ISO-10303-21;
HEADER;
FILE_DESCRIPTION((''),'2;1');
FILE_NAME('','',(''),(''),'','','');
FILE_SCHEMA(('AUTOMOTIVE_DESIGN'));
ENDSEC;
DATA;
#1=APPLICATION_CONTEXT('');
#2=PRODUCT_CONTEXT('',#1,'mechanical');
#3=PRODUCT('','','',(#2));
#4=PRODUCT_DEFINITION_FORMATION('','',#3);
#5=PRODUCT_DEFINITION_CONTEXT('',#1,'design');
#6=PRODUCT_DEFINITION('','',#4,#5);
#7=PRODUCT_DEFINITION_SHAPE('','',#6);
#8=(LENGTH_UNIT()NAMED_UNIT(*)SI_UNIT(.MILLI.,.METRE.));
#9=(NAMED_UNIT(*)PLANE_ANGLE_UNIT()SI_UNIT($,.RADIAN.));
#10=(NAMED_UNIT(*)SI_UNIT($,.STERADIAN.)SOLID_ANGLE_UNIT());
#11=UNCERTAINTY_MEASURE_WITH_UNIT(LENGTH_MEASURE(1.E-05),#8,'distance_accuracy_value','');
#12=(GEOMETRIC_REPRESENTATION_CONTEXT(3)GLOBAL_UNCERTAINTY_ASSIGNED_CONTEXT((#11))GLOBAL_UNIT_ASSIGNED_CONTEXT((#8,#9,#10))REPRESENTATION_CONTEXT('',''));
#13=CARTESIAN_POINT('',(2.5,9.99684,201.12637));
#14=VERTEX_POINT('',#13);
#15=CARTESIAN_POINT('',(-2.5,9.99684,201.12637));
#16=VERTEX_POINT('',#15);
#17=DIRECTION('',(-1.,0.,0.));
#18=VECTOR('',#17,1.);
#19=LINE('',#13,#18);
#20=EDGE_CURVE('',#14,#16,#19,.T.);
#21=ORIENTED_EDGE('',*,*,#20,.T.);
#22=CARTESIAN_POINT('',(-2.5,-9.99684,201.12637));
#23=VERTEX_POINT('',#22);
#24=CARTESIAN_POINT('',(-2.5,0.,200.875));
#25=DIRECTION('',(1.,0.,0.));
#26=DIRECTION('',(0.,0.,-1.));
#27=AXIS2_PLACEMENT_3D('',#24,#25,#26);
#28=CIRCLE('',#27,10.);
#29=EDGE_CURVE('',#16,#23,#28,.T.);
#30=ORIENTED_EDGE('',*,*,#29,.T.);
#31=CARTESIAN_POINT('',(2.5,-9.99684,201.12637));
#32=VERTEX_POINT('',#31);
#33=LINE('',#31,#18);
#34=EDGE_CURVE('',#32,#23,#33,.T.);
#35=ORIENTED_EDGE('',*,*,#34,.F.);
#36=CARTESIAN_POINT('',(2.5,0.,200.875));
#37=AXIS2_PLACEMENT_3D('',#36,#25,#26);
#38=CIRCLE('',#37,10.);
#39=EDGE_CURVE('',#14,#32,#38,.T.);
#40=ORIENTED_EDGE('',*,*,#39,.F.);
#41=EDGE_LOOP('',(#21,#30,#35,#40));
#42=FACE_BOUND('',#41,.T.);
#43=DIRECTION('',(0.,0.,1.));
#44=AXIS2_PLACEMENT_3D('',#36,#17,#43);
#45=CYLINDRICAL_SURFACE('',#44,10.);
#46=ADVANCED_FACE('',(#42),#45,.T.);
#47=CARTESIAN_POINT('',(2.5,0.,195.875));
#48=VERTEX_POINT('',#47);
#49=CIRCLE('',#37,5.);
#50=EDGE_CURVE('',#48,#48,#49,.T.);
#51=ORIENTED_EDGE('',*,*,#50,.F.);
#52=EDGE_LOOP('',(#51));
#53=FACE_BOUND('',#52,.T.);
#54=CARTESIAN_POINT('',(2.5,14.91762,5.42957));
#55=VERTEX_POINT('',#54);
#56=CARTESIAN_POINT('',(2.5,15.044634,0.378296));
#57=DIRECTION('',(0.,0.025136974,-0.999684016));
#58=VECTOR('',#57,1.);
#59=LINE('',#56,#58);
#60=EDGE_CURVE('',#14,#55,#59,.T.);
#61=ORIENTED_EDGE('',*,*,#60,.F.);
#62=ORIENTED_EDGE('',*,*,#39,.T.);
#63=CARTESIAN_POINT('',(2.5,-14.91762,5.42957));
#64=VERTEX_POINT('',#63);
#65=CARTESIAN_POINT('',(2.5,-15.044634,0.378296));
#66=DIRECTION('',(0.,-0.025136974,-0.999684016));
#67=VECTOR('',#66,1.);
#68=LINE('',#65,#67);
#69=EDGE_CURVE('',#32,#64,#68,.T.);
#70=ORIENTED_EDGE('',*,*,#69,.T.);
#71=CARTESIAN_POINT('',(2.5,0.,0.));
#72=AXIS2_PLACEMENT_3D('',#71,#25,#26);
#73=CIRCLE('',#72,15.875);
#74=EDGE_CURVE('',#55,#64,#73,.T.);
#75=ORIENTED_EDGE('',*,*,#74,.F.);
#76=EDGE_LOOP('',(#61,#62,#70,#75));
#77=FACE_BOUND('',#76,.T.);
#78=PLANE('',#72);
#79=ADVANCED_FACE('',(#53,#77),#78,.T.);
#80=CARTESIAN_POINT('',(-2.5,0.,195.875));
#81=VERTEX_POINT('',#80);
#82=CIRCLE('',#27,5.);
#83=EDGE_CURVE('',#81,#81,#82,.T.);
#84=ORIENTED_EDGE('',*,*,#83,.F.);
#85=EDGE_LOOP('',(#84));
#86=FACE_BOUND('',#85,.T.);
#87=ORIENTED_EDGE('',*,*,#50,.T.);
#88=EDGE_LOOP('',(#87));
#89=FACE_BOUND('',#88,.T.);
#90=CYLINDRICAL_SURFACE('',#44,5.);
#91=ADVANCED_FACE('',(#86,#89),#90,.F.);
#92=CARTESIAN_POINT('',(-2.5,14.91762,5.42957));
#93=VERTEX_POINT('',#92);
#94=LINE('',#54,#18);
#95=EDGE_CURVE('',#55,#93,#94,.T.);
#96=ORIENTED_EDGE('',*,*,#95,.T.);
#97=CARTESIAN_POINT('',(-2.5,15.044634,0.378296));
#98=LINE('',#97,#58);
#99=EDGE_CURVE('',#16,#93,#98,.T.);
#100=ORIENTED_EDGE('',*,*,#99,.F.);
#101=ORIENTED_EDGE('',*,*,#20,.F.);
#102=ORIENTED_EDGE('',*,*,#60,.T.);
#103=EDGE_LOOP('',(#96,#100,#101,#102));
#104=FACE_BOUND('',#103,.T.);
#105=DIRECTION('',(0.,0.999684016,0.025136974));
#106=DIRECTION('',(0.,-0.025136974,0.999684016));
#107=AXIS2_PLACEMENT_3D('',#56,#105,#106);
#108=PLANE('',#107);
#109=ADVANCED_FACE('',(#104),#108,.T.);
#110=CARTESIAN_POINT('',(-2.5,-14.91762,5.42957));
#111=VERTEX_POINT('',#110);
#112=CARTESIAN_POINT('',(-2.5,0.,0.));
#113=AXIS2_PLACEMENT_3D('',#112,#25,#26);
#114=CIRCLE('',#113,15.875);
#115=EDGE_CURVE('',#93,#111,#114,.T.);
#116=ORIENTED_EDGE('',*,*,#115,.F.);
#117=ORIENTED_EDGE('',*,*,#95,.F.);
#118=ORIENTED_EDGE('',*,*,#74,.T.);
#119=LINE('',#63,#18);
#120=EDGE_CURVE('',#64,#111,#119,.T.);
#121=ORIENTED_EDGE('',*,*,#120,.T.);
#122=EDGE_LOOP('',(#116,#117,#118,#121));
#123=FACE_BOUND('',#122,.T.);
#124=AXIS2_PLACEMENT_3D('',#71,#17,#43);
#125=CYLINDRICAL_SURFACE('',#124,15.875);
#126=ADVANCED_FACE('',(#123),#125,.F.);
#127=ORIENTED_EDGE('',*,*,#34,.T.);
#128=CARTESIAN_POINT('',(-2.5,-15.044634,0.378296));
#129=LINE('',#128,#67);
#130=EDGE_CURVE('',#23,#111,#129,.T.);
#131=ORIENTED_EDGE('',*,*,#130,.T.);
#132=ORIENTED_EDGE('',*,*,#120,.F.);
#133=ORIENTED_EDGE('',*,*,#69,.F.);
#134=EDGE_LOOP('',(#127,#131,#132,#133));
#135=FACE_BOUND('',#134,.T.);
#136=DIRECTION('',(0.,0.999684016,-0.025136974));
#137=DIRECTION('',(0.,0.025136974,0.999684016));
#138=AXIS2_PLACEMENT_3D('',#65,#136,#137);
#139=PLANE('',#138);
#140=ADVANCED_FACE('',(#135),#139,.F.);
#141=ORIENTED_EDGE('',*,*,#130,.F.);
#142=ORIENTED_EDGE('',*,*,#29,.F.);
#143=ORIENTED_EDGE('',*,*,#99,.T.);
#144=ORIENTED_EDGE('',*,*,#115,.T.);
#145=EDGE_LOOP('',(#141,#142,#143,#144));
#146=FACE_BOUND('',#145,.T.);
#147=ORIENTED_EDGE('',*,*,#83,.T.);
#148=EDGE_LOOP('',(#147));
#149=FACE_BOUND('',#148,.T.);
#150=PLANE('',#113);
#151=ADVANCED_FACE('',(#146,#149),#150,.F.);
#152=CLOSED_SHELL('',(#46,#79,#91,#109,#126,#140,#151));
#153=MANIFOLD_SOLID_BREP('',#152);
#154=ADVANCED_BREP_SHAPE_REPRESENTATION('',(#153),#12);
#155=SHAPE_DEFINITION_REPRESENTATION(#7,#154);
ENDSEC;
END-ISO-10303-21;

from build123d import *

# Parameters (mm, degrees)
SKETCH1_R           = 5
BOSS_EXTRUDE1_DEPTH = 2.5


with BuildPart() as part:
    # Sketch1 → Boss-Extrude1 (new, symmetric)
    with BuildSketch(Plane.YZ):
        with BuildLine():
            Line((14.917620355, 5.429569775), (9.996840164, 201.126369737))
            ThreePointArc((9.996840164, 201.126369737), (0, 210.875), (-9.996840164, 201.126369737))
            Line((-9.996840164, 201.126369737), (-14.917620355, 5.429569775))
            ThreePointArc((-14.917620355, 5.429569775), (0, 15.875), (14.917620355, 5.429569775))
        make_face()
        with Locations(Location((0, 200.875, 0), (0, 0, 270))):
            Circle(SKETCH1_R, mode=Mode.SUBTRACT)
    extrude(amount=BOSS_EXTRUDE1_DEPTH, both=True)


solid = part.part
